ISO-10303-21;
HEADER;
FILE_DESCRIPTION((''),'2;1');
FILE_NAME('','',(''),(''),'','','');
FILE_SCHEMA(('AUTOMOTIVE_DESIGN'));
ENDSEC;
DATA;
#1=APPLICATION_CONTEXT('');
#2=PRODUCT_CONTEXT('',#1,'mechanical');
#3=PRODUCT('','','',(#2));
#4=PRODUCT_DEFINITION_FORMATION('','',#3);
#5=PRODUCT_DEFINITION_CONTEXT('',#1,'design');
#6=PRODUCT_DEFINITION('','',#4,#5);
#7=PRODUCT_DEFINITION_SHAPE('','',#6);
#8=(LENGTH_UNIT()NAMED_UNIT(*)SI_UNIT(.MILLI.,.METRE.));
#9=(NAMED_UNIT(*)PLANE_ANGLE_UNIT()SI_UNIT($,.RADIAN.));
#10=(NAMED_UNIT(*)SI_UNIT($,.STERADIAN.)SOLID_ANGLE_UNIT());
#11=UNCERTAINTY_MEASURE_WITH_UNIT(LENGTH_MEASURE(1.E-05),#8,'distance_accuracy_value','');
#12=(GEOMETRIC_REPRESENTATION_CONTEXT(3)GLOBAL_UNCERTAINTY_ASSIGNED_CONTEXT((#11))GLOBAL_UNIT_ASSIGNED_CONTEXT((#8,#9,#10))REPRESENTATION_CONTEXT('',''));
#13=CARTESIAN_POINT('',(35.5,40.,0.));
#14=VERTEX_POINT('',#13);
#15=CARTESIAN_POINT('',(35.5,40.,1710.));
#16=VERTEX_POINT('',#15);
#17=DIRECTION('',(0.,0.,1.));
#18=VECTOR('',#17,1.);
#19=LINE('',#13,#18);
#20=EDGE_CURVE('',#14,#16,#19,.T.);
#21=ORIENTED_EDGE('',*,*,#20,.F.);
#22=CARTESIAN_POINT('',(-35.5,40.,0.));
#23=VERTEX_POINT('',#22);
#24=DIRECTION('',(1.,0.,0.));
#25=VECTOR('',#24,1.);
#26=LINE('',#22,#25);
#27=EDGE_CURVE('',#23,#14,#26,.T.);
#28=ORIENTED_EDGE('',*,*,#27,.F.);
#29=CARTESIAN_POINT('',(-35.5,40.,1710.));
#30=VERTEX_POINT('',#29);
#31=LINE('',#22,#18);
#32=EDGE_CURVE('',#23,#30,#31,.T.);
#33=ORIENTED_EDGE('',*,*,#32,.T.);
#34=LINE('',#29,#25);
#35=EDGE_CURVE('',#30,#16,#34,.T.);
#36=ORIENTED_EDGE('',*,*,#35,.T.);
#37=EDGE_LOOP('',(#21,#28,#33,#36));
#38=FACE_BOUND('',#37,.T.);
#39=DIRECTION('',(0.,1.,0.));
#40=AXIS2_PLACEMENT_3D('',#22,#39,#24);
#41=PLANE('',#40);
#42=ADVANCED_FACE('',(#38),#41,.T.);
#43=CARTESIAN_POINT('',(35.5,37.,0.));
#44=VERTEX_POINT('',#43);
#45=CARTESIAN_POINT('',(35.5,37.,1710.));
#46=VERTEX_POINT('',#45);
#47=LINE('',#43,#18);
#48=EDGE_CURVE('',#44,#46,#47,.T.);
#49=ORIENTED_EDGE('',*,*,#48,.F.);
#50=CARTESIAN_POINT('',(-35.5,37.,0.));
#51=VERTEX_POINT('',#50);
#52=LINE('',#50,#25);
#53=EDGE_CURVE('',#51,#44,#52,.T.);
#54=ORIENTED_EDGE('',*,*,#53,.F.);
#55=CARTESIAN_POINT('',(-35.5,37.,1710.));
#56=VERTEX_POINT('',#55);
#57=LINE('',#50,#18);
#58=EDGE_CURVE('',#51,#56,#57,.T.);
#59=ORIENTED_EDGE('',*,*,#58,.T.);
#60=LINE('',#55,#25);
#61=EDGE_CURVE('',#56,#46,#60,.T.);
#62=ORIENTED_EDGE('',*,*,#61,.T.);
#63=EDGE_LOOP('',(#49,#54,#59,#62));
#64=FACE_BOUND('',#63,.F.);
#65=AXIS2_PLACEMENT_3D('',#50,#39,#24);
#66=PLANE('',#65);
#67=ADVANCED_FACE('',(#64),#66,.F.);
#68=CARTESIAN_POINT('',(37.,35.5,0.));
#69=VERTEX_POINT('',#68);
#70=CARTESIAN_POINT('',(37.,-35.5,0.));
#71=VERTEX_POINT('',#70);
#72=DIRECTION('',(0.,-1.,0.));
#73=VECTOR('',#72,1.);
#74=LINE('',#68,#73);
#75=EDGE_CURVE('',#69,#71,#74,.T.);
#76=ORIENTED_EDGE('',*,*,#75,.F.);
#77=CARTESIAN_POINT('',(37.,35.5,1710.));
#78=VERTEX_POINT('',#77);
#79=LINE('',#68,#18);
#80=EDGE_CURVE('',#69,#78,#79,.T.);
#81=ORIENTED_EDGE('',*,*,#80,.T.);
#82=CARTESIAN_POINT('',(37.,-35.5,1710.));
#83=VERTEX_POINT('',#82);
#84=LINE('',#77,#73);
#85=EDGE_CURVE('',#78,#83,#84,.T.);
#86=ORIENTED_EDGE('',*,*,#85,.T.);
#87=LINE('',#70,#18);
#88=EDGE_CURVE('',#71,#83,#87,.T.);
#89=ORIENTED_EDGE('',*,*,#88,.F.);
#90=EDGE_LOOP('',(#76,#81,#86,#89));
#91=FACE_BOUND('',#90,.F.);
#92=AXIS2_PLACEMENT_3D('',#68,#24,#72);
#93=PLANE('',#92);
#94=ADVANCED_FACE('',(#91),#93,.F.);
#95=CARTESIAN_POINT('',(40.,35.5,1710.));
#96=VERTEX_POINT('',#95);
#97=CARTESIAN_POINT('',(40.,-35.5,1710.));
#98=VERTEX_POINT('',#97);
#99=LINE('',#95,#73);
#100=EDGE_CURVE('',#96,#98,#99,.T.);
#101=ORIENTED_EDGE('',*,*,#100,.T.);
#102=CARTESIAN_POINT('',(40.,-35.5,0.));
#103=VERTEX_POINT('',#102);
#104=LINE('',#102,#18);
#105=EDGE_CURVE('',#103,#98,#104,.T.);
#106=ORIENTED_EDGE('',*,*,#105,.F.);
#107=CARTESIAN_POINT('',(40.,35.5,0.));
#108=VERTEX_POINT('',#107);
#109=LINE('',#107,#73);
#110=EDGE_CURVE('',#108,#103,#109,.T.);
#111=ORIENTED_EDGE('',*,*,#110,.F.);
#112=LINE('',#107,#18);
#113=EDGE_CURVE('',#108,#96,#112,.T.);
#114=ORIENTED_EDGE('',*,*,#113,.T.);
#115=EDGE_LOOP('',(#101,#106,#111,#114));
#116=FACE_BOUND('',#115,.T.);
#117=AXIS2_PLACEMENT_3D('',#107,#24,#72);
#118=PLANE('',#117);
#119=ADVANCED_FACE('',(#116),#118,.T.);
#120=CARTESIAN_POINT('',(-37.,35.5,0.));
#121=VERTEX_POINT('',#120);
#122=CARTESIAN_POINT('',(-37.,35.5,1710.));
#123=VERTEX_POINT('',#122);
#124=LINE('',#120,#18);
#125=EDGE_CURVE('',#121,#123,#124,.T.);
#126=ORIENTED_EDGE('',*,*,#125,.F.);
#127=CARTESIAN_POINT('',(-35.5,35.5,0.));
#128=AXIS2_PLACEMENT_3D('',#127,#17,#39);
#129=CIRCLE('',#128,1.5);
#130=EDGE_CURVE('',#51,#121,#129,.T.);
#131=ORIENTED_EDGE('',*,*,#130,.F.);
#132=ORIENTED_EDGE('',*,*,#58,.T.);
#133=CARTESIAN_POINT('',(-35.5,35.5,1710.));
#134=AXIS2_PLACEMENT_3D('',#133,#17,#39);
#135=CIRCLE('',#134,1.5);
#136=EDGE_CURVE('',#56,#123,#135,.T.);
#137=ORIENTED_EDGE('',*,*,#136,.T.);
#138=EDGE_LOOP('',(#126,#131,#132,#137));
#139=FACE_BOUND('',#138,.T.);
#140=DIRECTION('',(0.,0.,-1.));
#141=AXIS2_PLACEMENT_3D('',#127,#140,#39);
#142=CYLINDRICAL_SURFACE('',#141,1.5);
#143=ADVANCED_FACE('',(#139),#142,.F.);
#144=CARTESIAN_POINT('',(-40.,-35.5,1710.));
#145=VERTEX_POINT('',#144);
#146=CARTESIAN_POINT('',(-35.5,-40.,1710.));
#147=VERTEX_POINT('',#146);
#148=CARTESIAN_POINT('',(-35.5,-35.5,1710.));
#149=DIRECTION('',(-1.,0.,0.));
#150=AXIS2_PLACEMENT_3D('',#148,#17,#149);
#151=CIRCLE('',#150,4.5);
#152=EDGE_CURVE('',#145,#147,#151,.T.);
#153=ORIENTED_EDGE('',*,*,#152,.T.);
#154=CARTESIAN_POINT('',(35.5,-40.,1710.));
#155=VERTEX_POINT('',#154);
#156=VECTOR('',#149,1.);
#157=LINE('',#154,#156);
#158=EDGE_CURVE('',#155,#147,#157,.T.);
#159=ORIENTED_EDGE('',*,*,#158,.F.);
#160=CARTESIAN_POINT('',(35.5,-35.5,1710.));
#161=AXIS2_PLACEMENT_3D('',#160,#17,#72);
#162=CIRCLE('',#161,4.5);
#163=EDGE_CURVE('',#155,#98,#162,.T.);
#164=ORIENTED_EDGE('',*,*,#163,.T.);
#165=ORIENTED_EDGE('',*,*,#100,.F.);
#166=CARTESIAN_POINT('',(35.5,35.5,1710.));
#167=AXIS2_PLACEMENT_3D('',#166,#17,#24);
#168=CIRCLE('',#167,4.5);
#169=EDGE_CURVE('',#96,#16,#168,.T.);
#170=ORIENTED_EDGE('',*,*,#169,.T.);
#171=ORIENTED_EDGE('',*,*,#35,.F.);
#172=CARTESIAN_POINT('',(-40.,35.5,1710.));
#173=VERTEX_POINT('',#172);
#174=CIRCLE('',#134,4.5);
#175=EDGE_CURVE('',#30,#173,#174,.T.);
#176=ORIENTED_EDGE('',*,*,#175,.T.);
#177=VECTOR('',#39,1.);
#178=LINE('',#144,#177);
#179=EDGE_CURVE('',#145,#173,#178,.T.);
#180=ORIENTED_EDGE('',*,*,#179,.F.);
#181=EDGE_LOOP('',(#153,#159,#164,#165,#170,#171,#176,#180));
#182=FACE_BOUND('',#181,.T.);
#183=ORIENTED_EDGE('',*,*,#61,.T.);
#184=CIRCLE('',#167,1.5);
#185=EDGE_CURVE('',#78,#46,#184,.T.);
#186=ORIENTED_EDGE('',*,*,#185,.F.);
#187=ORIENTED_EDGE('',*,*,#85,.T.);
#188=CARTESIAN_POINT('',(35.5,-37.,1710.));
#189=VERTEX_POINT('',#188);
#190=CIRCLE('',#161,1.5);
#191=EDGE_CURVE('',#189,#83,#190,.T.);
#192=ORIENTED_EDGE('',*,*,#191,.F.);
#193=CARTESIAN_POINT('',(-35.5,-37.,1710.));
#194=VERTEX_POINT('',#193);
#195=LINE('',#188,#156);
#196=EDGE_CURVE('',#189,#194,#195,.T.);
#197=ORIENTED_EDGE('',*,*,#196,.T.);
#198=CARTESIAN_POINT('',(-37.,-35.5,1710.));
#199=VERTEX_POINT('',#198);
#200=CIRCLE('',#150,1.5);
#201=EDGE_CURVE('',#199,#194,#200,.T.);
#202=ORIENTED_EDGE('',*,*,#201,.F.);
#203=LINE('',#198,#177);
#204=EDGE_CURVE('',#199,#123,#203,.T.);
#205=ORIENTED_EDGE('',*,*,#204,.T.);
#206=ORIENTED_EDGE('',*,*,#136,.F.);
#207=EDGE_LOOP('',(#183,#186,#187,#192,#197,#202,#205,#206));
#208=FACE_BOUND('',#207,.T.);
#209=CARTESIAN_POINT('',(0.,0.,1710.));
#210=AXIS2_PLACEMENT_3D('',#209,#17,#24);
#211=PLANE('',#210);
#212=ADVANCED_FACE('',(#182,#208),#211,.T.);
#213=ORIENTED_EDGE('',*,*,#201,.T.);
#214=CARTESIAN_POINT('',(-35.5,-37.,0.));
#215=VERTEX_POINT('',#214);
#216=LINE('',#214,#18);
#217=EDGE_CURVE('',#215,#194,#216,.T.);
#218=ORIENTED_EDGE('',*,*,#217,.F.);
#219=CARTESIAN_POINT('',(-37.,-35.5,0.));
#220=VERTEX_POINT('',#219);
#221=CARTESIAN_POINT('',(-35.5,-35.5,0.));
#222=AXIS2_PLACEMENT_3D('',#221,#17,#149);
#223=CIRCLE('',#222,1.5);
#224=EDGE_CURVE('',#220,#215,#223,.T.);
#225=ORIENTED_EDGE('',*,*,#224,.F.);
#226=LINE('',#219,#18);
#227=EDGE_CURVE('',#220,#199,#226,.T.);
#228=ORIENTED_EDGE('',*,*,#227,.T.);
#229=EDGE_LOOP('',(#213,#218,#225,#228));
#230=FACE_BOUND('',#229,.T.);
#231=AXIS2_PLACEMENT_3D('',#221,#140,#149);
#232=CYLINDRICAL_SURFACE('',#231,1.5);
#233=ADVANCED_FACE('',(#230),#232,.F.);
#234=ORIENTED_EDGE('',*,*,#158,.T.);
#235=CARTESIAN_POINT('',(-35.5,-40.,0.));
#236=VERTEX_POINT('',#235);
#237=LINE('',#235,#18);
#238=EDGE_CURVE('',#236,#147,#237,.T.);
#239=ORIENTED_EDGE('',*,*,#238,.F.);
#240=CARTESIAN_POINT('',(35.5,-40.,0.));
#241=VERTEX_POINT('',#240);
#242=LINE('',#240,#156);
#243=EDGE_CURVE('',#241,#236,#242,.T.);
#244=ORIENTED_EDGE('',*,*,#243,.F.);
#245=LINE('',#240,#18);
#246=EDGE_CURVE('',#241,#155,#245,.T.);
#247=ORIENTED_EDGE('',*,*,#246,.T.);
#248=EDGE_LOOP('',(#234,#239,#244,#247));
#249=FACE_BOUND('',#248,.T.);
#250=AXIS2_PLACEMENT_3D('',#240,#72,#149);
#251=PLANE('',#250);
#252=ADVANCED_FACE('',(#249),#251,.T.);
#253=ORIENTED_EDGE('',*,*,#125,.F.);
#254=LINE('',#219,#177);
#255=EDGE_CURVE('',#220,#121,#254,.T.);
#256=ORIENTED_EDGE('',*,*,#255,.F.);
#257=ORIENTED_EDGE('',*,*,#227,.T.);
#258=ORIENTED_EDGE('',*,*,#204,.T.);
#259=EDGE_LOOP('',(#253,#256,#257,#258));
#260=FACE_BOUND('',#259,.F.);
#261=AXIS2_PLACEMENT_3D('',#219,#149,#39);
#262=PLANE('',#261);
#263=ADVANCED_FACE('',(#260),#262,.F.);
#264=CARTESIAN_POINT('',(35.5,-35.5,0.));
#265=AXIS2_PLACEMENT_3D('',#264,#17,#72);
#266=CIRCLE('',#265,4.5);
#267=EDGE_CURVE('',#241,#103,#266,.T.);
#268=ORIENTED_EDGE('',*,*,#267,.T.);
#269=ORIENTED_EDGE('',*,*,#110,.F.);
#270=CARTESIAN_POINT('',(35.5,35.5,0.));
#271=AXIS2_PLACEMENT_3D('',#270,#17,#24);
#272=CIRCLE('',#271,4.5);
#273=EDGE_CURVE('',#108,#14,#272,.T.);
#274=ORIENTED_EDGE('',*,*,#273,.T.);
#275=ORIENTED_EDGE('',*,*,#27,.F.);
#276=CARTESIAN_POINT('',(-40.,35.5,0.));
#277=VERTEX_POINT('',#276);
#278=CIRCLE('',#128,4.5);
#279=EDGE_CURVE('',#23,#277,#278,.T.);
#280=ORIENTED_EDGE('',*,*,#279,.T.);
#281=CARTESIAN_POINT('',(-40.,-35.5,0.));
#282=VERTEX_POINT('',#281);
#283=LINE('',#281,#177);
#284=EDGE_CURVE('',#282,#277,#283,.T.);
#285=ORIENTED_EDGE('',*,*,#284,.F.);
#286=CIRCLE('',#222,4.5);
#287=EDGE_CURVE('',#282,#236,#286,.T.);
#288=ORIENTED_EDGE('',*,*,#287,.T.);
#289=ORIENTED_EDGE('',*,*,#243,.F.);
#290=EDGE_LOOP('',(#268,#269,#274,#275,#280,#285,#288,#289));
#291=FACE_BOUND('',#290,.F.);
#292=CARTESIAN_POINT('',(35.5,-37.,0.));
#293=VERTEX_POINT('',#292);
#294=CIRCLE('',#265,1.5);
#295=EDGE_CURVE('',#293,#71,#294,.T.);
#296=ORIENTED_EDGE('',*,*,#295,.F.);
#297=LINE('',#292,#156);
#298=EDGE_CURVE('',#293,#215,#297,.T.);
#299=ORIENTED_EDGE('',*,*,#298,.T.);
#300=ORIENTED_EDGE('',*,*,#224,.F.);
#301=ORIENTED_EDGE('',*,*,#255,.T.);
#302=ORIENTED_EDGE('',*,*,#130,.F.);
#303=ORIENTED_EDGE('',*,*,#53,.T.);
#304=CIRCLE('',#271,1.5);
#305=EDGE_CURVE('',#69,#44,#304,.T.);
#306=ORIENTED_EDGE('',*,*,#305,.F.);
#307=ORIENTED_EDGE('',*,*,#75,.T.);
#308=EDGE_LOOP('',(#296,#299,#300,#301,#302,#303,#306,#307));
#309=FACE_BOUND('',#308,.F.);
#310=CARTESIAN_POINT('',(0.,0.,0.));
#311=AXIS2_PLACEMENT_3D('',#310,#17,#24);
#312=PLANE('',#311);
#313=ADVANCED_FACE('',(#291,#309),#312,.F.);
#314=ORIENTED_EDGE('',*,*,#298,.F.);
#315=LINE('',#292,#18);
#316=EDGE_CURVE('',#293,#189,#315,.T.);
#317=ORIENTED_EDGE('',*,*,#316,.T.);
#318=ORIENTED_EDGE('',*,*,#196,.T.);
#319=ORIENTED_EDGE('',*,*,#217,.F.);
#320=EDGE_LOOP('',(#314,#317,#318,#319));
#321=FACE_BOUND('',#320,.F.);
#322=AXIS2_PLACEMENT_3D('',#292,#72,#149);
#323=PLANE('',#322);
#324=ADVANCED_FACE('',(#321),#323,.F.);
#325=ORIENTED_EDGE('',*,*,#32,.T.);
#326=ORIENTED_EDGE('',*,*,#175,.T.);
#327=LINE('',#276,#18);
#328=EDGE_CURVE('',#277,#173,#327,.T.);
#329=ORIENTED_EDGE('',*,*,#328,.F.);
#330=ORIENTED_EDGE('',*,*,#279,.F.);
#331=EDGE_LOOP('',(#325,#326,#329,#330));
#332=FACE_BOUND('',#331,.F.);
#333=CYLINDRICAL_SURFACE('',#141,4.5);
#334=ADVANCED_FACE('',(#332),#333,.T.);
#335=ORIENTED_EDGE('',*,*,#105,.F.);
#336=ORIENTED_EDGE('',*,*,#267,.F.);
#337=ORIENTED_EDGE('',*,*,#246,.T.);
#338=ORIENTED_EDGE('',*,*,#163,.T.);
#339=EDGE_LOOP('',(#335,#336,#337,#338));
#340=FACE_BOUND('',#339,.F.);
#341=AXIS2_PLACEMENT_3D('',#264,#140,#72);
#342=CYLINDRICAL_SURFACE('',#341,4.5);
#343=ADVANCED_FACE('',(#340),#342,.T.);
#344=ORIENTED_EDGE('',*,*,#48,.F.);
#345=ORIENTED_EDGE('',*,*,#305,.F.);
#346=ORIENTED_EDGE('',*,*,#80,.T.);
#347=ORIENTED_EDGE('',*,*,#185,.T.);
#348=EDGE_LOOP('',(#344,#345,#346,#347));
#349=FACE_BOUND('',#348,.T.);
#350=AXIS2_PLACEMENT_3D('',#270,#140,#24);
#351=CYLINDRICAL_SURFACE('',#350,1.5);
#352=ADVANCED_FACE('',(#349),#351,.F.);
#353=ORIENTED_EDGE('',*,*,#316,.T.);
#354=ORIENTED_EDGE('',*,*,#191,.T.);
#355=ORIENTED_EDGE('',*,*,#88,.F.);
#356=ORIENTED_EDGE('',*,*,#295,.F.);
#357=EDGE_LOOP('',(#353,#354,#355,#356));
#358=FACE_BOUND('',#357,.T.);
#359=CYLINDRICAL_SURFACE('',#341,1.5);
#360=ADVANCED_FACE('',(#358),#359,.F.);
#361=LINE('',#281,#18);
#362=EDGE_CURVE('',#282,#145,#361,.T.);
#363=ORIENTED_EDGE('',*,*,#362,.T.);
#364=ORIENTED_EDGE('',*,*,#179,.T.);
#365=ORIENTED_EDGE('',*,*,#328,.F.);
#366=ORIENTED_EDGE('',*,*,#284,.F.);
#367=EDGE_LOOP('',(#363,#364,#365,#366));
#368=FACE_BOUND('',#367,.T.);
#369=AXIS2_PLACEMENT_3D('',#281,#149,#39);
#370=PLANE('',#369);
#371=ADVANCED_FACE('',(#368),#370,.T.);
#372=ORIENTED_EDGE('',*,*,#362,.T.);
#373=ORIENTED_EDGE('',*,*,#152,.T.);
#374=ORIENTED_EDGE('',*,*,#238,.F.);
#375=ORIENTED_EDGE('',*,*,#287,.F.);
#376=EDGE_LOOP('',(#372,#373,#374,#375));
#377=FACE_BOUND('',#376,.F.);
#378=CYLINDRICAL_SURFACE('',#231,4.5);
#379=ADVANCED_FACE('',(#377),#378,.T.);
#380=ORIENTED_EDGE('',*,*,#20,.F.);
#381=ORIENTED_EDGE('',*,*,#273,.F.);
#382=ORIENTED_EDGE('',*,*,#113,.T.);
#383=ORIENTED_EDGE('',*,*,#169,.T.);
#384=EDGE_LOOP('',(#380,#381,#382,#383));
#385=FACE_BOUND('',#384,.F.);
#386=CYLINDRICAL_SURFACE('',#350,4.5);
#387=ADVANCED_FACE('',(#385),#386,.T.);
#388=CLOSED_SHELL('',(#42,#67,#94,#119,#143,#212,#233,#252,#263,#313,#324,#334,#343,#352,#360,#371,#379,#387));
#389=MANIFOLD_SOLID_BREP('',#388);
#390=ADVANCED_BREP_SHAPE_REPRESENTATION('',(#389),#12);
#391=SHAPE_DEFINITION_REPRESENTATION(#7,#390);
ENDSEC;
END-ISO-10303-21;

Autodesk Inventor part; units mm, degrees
ref_plane "YZ Plane" through (0, 0, 0) normal (1, 0, 0) x (0, 1, 0)
ref_plane "Start Plane" through (0, 0, 0) normal (0, 0, 1) x (1, 0, 0)
ref_plane "End Plane" through (0, 0, 1710) normal (0, 0, 1) x (1, 0, 0)
sketch "Sketch" plane through (0, 0, 0) normal (0, 0, 1) x (1, 0, 0)
  line L0 (-40, -35.5) -> (-40, 35.5)
  line L1 (-35.5, 40) -> (35.5, 40)
  line L2 (40, 35.5) -> (40, -35.5)
  line L3 (35.5, -40) -> (-35.5, -40)
  arc A0 (-40, -35.5) -> (-35.5, -40) centre (-35.5, -35.5) ccw
  arc A1 (-35.5, 40) -> (-40, 35.5) centre (-35.5, 35.5) ccw
  arc A2 (40, 35.5) -> (35.5, 40) centre (35.5, 35.5) ccw
  arc A3 (35.5, -40) -> (40, -35.5) centre (35.5, -35.5) ccw
  arc A4 (-35.5, 37) -> (-37, 35.5) centre (-35.5, 35.5) ccw
  line L4 (-35.5, 37) -> (35.5, 37)
  arc A5 (37, 35.5) -> (35.5, 37) centre (35.5, 35.5) ccw
  line L5 (37, 35.5) -> (37, -35.5)
  arc A6 (35.5, -37) -> (37, -35.5) centre (35.5, -35.5) ccw
  line L6 (35.5, -37) -> (-35.5, -37)
  arc A7 (-37, -35.5) -> (-35.5, -37) centre (-35.5, -35.5) ccw
  line L7 (-37, -35.5) -> (-37, 35.5)
  line L8 (0, 57.3048) -> (0, -57.3048) construction
  line L9 (-57.3048, 0) -> (57.3048, 0) construction
  dimension "d7" = 4.5
  dimension "d10" = 80
  dimension "d11" = 80
  dimension "d12" = 3
  dimension "d15" = 40
  dimension "d16" = 40
extrude "Body" add sketch "Sketch" along normal up to surface (1710 mm away) from surface at 0
sketch "Sketch3" plane through (0, 0, 0) normal (0, 0, 1) x (1, 0, 0)
  line L0 (0, 0) -> (10, 0)
ref_plane "Work Plane3" through (0, 0, 0) normal (0, -1, 0) x (1, 0, 0)
sketch "Sketch4" plane through (0, 0, 0) normal (0, -1, 0) x (1, 0, 0)
  line L0 (-2, 0) -> (12, 0) projected
  line L1 (-2, 1710) -> (12, 1710) projected
  dimension "d18" = 1710
equation "\"d7\" = G_IR"
equation "\"d10\" = G_H"
equation "\"d11\" = G_W"
equation "\"d12\" = G_T"
equation "\"d15\" = 0.5 * d10"
equation "\"d16\" = 0.5 * d11"
equation "\"d3\" = G_L"
equation "\"G_W\" = 80"
equation "\"G_H\" = 80"
equation "\"G_T\" = 3"
equation "\"G_IR\" = 4.5"
equation "\"G_L\" = d18"
equation "\"G_OFFSET_START\" = 0"
equation "\"G_OFFSET_END\" = 0"
properties part number "ISO 12633-2 - 80x80x3 - 1710" material "Steel, Mild"
